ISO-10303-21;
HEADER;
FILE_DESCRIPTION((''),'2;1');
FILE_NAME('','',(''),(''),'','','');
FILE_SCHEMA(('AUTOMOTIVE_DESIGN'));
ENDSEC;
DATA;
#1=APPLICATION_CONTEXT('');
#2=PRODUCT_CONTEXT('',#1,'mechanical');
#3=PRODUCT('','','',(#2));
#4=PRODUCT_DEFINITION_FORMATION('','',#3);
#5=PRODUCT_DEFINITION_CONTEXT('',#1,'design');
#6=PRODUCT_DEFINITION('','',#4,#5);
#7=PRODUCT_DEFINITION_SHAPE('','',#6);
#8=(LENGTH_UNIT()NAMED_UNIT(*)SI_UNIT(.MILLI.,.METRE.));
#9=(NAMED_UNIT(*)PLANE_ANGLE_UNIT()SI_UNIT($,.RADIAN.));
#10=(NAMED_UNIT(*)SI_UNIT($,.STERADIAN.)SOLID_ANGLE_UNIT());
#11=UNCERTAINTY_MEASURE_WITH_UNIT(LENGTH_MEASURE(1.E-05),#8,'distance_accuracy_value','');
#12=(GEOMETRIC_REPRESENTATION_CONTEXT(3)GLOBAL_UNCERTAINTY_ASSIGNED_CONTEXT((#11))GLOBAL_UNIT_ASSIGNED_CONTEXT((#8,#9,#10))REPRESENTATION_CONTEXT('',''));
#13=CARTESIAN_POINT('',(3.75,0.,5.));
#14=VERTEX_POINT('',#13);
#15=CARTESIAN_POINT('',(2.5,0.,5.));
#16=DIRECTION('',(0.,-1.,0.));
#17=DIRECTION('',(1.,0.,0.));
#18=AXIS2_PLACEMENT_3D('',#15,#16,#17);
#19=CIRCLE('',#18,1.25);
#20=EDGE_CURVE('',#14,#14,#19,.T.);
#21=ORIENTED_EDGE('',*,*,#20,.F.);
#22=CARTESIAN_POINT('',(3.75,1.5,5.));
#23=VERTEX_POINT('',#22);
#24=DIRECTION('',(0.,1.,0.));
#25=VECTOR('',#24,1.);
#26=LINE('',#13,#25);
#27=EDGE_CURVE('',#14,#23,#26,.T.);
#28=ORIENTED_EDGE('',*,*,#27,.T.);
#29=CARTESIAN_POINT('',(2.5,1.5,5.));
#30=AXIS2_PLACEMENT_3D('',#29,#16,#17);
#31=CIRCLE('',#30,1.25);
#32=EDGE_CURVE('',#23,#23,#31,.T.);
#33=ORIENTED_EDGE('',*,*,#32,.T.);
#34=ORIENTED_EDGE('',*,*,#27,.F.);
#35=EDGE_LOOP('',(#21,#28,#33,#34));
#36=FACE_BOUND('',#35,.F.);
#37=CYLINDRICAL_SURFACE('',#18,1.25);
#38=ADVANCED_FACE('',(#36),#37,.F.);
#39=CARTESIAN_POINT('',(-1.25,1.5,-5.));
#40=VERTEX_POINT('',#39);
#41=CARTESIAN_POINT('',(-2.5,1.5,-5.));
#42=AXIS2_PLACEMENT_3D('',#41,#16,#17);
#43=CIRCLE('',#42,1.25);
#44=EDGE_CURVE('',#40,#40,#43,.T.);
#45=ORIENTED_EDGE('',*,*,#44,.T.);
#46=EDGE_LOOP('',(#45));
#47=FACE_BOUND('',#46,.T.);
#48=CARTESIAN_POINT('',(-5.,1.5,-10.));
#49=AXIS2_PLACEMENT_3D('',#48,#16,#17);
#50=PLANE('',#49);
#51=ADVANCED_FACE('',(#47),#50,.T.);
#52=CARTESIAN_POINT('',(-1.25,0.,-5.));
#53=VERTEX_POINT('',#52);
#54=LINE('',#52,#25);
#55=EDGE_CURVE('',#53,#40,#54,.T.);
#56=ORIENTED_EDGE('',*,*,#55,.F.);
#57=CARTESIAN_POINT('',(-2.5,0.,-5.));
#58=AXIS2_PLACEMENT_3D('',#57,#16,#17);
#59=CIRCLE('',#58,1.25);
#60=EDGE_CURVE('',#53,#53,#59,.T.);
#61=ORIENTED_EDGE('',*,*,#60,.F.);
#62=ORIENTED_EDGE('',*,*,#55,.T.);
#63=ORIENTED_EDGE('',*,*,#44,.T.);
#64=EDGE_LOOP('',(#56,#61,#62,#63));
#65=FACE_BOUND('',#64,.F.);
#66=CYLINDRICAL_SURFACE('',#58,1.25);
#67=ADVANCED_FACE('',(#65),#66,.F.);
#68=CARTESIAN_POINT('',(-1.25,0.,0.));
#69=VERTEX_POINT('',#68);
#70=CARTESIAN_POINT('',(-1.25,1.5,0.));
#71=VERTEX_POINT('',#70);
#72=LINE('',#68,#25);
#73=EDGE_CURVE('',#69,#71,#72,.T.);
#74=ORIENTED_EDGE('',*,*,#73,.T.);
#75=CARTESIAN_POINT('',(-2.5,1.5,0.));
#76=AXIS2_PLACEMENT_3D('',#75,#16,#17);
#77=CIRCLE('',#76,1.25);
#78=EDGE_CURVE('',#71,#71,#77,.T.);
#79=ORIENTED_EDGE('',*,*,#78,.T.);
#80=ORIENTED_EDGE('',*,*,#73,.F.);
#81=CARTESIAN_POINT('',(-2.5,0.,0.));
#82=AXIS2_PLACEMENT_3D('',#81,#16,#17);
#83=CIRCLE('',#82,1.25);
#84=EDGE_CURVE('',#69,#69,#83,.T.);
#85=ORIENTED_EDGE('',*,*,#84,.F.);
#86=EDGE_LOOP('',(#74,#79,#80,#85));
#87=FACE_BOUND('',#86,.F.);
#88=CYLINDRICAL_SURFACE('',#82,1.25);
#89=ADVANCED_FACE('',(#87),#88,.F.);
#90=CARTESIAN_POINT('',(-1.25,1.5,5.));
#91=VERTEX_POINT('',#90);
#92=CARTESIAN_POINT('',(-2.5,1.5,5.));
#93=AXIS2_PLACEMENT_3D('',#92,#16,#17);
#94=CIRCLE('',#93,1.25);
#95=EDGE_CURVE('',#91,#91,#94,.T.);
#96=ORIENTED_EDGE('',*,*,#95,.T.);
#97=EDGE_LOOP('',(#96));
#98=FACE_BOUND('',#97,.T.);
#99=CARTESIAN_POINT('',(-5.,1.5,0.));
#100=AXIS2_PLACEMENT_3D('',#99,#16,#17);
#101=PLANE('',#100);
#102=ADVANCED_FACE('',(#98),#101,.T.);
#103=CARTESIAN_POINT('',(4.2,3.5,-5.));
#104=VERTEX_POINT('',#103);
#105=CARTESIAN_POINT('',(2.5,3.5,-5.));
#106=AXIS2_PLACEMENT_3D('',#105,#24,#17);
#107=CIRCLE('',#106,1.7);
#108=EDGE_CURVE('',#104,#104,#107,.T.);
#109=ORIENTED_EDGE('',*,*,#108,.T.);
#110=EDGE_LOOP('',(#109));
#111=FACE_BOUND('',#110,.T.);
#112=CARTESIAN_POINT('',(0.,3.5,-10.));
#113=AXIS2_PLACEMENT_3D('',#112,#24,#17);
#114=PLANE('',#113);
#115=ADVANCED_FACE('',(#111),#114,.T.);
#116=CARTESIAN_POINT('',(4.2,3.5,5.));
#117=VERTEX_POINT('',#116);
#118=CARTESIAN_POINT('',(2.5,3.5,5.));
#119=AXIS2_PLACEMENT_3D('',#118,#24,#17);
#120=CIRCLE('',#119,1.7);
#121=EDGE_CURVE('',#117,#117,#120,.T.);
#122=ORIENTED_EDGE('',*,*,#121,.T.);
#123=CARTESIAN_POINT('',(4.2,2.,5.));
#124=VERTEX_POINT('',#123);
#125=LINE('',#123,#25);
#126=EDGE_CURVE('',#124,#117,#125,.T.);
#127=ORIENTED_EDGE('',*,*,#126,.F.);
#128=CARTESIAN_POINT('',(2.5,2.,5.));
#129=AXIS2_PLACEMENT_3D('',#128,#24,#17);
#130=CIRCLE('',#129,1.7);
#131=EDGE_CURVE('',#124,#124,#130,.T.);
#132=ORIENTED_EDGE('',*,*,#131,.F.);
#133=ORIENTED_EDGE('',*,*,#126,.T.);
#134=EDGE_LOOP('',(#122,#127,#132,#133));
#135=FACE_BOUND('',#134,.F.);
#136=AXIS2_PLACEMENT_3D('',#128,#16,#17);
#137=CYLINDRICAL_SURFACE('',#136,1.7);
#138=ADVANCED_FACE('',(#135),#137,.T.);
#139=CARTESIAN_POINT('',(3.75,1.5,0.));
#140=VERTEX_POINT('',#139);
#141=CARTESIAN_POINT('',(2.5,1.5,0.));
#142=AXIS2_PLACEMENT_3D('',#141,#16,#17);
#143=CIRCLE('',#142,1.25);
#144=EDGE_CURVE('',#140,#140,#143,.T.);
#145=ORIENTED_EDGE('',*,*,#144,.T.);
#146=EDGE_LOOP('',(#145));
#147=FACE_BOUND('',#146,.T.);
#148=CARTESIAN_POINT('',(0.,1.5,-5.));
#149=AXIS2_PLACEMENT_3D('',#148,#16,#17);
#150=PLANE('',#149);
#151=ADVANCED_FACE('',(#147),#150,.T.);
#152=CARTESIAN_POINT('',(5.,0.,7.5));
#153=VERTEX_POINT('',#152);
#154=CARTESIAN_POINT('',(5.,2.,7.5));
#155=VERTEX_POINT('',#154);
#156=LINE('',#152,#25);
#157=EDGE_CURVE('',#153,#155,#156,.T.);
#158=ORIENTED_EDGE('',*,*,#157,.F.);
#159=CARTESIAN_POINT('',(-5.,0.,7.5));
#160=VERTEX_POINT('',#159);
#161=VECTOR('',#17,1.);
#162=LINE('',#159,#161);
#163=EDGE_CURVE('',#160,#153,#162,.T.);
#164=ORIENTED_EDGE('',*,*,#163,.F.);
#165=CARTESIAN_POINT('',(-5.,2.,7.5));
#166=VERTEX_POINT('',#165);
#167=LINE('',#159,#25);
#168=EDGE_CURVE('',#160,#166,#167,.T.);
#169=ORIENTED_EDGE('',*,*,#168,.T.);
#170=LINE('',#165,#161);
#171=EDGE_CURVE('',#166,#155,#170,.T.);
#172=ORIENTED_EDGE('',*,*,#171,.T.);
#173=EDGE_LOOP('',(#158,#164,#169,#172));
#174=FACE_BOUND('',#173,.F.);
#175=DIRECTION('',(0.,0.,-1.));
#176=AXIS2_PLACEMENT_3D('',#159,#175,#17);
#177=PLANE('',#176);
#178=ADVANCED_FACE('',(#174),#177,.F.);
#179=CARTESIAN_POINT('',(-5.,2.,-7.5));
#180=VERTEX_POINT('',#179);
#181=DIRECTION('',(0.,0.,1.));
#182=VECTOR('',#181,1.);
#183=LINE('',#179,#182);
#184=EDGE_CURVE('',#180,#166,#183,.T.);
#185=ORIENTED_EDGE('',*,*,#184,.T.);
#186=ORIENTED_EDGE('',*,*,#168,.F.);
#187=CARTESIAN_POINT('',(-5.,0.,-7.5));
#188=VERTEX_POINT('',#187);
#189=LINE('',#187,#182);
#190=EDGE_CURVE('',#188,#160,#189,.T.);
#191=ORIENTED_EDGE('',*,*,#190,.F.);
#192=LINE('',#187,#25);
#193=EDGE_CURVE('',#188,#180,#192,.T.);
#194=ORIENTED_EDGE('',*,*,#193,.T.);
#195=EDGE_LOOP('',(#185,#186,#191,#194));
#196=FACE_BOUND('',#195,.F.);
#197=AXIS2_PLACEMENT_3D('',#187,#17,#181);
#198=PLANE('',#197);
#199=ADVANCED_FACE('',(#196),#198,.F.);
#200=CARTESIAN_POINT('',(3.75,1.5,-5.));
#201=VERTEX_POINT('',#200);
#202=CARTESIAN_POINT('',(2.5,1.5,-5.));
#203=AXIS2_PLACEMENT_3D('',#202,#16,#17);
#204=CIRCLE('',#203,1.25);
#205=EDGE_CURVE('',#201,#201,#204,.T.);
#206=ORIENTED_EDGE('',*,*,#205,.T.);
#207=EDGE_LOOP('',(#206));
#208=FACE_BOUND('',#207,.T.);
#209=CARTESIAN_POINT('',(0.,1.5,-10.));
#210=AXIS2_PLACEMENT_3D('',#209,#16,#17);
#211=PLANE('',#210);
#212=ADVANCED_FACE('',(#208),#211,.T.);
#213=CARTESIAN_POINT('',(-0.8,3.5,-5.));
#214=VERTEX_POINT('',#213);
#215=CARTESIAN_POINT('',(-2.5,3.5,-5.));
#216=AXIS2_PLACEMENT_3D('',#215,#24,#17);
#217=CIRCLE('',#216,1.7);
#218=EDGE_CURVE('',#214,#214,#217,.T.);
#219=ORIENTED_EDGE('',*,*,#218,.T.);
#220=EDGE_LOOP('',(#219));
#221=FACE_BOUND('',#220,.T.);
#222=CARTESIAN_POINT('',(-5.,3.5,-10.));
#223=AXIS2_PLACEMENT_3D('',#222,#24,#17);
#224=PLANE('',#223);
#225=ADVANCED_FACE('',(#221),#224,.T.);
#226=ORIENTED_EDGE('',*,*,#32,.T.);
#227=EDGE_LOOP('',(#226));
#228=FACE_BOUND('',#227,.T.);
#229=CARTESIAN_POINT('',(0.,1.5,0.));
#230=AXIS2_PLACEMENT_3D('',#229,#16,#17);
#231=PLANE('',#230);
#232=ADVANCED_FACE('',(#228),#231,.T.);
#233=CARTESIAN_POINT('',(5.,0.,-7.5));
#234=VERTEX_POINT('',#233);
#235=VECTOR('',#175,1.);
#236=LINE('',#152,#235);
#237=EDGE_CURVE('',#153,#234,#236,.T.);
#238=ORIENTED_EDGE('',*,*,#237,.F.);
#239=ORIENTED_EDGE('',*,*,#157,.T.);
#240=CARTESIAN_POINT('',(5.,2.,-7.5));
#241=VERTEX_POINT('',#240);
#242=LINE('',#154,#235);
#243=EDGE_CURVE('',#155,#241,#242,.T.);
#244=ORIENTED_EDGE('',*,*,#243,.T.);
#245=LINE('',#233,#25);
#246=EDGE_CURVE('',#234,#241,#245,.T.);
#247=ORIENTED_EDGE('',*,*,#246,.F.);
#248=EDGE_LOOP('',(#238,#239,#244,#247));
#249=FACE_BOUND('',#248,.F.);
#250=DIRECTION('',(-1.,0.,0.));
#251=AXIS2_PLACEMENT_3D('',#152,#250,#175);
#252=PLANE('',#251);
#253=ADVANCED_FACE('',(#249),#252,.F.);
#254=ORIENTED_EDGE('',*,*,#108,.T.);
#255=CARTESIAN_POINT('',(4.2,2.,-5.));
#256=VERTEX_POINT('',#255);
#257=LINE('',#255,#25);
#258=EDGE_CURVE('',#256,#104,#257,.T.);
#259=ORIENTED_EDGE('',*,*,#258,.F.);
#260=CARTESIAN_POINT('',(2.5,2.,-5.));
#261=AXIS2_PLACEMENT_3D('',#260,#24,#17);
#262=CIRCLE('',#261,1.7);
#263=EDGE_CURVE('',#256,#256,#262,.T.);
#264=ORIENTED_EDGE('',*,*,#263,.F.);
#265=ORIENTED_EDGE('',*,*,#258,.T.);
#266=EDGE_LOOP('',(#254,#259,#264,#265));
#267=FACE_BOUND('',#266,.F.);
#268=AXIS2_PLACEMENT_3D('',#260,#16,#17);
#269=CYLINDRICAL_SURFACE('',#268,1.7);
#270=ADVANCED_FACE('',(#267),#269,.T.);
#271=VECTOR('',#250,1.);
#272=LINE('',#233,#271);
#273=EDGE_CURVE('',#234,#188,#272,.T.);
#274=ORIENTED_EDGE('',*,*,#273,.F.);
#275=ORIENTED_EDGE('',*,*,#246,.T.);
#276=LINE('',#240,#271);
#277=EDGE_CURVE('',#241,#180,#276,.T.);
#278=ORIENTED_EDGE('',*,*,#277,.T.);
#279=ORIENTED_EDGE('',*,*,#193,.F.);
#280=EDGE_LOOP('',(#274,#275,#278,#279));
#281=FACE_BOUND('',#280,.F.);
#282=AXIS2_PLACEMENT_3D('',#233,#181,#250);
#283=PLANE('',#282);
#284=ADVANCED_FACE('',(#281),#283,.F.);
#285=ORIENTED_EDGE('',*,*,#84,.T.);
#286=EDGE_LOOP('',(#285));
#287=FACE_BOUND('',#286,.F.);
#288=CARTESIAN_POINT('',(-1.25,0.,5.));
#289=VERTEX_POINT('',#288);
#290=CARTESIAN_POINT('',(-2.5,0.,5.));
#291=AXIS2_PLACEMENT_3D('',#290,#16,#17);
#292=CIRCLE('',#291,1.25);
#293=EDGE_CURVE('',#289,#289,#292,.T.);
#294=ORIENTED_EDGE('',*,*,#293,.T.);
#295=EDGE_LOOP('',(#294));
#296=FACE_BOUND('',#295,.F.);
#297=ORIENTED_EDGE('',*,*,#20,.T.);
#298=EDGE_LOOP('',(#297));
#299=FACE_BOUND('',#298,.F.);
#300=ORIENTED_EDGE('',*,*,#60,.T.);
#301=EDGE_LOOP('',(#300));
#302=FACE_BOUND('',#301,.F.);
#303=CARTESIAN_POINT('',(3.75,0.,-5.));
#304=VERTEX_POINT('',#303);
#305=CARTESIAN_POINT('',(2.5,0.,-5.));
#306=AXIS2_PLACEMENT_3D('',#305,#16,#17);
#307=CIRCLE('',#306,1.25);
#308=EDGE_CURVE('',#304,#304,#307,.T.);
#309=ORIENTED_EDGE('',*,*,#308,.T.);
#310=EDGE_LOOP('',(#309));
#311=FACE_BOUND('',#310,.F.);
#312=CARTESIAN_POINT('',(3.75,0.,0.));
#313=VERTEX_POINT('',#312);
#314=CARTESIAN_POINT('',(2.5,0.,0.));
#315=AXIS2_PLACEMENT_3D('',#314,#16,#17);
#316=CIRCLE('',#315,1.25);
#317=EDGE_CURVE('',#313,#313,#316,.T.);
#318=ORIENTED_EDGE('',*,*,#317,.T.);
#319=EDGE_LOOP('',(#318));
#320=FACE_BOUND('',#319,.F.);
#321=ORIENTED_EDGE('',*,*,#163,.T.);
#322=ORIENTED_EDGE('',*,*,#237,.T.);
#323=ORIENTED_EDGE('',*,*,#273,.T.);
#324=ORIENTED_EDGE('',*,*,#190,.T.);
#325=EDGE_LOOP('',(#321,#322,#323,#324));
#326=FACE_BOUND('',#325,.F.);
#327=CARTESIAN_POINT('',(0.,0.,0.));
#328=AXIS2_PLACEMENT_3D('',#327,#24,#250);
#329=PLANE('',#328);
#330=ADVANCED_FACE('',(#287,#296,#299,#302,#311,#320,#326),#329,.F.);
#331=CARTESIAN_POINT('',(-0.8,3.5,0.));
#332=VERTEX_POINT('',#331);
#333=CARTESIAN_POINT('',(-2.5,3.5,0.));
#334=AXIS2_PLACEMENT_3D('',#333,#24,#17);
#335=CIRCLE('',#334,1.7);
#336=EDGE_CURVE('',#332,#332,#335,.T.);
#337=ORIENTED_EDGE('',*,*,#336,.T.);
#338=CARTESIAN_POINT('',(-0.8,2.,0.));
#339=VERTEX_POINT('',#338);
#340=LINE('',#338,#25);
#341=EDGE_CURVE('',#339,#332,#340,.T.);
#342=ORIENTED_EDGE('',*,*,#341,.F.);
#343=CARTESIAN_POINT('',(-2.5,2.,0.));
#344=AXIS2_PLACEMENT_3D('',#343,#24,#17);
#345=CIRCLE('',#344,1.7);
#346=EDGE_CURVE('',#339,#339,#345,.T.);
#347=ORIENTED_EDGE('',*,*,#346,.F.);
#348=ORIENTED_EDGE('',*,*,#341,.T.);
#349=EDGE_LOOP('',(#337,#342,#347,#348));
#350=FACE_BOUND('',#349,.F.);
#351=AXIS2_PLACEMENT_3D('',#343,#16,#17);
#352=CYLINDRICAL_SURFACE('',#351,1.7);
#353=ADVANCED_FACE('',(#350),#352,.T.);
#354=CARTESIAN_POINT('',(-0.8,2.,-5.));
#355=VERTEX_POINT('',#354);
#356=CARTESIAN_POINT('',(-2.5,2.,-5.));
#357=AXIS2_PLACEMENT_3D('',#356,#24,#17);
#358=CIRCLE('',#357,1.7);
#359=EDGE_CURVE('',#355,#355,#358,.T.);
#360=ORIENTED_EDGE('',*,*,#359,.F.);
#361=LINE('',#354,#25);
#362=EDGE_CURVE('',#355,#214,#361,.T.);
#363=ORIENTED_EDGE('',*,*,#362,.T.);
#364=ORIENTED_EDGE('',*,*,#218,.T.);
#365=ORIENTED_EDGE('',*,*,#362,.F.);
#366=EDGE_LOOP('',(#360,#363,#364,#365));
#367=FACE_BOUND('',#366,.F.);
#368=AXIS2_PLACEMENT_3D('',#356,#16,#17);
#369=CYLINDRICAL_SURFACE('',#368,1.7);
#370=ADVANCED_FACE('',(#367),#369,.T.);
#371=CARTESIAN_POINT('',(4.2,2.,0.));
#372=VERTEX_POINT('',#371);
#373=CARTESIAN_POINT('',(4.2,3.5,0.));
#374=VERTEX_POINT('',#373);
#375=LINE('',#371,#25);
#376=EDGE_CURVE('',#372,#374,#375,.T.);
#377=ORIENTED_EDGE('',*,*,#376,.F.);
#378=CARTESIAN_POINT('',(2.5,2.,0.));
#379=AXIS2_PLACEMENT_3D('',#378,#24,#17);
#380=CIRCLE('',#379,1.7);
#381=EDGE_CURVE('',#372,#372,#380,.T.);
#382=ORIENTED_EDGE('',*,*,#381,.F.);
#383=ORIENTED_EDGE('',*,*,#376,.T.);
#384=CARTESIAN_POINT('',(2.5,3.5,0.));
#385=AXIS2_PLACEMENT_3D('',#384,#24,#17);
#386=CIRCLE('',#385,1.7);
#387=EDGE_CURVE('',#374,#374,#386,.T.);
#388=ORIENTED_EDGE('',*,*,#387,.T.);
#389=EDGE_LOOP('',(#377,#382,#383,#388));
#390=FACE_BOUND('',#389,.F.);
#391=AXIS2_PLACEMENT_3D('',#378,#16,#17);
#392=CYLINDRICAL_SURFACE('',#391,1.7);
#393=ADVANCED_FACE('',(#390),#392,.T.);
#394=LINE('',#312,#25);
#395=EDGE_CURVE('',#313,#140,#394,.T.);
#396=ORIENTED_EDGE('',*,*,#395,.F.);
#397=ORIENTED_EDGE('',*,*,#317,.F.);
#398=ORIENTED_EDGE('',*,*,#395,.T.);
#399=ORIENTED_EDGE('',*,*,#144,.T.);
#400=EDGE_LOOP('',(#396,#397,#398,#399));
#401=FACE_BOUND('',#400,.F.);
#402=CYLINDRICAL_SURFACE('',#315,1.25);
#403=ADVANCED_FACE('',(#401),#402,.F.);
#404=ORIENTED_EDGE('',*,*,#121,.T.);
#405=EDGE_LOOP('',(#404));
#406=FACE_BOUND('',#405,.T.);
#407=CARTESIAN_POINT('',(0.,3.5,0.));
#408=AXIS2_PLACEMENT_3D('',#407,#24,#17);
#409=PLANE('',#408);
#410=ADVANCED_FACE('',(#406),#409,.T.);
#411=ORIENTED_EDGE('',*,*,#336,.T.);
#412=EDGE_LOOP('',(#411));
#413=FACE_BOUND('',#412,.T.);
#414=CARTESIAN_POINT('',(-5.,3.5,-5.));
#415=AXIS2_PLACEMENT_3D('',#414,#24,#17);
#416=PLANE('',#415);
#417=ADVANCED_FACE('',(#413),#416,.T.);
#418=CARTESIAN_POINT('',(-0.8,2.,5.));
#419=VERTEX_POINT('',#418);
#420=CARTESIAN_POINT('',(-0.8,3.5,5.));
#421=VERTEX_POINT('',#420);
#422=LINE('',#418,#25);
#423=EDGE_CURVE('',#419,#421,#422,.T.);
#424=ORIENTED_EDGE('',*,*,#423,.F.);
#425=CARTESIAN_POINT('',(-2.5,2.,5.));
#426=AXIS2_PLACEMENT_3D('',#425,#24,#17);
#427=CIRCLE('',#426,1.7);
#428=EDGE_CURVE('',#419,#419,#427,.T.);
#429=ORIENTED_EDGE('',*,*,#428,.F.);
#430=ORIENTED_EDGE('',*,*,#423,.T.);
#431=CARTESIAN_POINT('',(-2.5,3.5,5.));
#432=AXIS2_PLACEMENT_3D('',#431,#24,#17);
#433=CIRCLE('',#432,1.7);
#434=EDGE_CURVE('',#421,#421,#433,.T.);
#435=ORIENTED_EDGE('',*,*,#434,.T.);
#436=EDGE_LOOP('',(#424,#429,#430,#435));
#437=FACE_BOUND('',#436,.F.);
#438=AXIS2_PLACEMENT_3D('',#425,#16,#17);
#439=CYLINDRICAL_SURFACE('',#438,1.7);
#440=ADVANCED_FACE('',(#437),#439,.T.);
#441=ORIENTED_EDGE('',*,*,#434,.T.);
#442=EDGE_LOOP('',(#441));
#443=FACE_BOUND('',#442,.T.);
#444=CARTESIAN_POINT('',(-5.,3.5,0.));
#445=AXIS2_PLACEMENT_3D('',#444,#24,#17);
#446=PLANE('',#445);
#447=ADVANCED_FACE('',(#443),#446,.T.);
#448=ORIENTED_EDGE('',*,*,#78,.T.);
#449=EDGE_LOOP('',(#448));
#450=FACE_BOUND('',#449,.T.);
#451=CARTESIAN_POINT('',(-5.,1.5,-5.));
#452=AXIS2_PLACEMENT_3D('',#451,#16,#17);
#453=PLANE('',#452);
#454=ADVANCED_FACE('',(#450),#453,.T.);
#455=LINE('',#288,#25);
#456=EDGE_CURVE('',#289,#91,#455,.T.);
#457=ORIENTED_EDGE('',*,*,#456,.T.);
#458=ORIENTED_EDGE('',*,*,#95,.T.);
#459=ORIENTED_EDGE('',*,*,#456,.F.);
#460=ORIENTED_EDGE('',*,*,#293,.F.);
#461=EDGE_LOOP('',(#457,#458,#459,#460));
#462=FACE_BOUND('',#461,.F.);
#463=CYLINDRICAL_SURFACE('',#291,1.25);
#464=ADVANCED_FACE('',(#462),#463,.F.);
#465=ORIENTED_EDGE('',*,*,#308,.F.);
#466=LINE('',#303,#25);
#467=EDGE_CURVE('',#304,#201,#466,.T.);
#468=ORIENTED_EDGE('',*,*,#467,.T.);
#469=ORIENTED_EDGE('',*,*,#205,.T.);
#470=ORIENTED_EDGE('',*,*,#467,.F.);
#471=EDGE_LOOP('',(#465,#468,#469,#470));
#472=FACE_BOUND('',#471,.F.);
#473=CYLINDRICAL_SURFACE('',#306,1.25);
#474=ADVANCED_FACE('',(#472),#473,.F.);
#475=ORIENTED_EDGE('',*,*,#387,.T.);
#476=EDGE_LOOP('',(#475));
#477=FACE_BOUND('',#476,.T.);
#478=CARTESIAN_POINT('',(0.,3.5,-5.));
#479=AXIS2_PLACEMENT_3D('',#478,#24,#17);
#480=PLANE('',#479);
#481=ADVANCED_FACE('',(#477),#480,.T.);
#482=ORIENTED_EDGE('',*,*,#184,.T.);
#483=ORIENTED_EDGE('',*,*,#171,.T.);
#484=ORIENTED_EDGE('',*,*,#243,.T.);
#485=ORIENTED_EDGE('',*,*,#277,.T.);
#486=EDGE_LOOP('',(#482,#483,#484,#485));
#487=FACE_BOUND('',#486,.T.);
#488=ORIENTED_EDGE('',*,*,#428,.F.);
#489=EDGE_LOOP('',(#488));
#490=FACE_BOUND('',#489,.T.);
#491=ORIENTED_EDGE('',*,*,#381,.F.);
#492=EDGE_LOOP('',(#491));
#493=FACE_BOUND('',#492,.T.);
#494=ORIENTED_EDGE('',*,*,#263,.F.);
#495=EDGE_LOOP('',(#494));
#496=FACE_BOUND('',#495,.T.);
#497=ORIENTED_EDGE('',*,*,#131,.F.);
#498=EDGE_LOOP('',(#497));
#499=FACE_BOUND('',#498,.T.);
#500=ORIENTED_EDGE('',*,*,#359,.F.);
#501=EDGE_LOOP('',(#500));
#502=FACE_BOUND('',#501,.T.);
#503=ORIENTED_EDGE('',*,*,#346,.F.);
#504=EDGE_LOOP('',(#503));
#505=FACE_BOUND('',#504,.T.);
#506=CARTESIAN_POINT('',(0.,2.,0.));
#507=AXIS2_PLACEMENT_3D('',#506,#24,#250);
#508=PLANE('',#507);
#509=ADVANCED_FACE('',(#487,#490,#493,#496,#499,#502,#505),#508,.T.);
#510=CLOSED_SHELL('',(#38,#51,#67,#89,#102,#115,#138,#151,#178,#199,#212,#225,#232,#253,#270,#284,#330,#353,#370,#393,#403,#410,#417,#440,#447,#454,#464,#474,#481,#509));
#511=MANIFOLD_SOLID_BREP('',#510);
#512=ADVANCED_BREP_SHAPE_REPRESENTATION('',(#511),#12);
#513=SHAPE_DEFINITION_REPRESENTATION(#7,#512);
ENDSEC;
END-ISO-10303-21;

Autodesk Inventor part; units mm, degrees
ref_plane "YZ Plane" through (0, 0, 0) normal (1, 0, 0) x (0, 1, 0)
ref_plane "XZ Plane" through (0, 0, 0) normal (0, 1, 0) x (-1, 0, 0)
ref_plane "XY Plane" through (0, 0, 0) normal (0, 0, 1) x (1, 0, 0)
sketch "草圖1" plane through (0, 0, 0) normal (0, 1, 0) x (-1, 0, 0)
  line L0 (5, 7.5) -> (-5, 7.5)
  line L1 (-5, 7.5) -> (-5, -7.5)
  line L2 (-5, -7.5) -> (5, -7.5)
  line L3 (5, -7.5) -> (5, 7.5)
  point P0 (0, 0)
  point P1 (5, 0)
  point P2 (0, -7.5)
  dimension "d0" = 10
  dimension "d1" = 15
extrude "擠出1" add sketch "草圖1" along normal blind 2
sketch "草圖2" plane through (0, 0, 0) normal (0, -1, 0) x (1, 0, 0)
  line L0 (5, 7.5) -> (5, -7.5) projected
  line L1 (-5, 7.5) -> (5, 7.5) projected
  line L2 (-5, -7.5) -> (-5, 7.5) projected
  line L3 (5, -7.5) -> (-5, -7.5) projected
  circle A0 centre (2.5, 5) radius 1.25
  circle A1 centre (2.5, 5) radius 2.5
  point P0 (0, 0)
  dimension "d4" = 2.5
  dimension "d5" = 5
  dimension "d6" = 2.5
  dimension "d7" = 2.5
extrude "擠出2" cut sketch "草圖2" against normal blind 1.5 contours A0
pattern_linear "矩形陣列1" count 3 spacing 5 along (0, 0, -1) count 2 spacing 5 along (-1, 0, 0) of "擠出2"
sketch "草圖3" plane through (0, 2, 0) normal (0, 1, 0) x (1, 0, 0)
  circle A0 centre (2.5, -5) radius 1.7
  line L0 (5, -7.5) -> (5, 7.5) projected
  line L1 (-5, -7.5) -> (5, -7.5) projected
  point P0 (0, 0)
  dimension "d16" = 3.4
  dimension "d17" = 2.5
  dimension "d18" = 2.5
extrude "擠出3" add sketch "草圖3" along normal blind 1.5
pattern_linear "矩形陣列2" count 3 spacing 5 along (0, 0, -1) count 2 spacing 5 along (-1, 0, 0) of "擠出3"
properties part number "110033226_ipt_02_草地一"
